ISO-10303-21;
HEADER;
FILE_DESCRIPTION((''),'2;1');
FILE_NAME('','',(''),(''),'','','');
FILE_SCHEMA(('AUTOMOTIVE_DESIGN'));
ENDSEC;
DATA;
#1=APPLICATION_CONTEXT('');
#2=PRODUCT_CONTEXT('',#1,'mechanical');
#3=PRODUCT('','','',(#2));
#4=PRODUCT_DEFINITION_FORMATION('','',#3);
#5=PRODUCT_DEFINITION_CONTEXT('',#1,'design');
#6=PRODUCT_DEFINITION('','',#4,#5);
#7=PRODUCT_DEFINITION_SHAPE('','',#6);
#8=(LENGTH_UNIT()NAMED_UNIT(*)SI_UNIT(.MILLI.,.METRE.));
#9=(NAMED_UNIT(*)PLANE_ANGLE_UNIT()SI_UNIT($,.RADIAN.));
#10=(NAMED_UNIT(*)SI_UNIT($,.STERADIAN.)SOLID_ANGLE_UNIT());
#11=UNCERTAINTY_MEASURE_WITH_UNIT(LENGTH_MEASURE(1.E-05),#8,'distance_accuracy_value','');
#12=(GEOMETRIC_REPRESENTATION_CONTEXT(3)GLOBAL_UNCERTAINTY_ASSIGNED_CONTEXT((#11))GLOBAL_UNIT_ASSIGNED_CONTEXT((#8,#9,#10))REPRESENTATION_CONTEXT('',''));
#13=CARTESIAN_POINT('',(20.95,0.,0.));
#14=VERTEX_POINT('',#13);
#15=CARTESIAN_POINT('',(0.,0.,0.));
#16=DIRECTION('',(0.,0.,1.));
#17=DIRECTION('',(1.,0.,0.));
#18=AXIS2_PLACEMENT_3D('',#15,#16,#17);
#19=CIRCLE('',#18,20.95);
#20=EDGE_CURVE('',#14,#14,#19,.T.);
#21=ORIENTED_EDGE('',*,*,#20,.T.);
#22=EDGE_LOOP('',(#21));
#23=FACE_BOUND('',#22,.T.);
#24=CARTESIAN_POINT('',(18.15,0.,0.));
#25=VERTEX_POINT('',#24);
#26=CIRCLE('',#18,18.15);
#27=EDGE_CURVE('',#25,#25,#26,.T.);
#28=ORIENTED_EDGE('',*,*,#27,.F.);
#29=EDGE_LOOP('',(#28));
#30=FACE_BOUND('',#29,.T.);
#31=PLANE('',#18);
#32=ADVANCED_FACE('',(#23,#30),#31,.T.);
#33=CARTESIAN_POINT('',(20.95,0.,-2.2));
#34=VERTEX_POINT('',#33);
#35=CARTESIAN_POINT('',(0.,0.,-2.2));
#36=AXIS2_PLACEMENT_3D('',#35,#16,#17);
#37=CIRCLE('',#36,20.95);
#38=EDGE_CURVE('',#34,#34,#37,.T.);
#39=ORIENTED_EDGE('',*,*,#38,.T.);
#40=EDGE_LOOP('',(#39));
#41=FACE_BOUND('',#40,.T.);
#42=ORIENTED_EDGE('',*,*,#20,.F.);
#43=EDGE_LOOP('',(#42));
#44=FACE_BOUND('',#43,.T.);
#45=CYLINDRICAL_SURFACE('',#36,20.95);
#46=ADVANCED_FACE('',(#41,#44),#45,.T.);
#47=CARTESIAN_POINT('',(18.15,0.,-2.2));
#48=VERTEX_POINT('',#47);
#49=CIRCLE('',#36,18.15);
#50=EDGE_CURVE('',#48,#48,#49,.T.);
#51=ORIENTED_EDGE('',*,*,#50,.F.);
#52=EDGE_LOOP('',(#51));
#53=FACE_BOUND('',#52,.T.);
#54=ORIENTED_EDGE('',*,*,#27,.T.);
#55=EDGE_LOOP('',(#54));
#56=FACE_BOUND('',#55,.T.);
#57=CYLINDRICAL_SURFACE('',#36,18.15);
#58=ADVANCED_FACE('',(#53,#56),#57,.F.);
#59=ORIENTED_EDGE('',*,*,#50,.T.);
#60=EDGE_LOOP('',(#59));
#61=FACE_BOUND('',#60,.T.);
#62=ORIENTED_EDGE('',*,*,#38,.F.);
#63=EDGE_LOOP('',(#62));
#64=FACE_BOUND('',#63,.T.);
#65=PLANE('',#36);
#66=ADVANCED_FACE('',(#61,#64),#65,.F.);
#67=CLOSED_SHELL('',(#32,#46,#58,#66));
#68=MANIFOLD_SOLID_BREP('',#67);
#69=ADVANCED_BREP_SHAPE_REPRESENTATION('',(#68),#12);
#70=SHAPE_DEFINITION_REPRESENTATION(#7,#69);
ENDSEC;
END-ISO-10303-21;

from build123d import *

# Parameters (mm, degrees)
SKETCH1_R      = 20.95
SKETCH1_R_2    = 18.15
EXTRUDE1_DEPTH = 2.2


with BuildPart() as part:
    # Sketch1 → Extrude1 (new body)
    with BuildSketch(Plane.XY):
        Circle(SKETCH1_R)
        Circle(SKETCH1_R_2, mode=Mode.SUBTRACT)
    extrude(amount=-EXTRUDE1_DEPTH)


solid = part.part
